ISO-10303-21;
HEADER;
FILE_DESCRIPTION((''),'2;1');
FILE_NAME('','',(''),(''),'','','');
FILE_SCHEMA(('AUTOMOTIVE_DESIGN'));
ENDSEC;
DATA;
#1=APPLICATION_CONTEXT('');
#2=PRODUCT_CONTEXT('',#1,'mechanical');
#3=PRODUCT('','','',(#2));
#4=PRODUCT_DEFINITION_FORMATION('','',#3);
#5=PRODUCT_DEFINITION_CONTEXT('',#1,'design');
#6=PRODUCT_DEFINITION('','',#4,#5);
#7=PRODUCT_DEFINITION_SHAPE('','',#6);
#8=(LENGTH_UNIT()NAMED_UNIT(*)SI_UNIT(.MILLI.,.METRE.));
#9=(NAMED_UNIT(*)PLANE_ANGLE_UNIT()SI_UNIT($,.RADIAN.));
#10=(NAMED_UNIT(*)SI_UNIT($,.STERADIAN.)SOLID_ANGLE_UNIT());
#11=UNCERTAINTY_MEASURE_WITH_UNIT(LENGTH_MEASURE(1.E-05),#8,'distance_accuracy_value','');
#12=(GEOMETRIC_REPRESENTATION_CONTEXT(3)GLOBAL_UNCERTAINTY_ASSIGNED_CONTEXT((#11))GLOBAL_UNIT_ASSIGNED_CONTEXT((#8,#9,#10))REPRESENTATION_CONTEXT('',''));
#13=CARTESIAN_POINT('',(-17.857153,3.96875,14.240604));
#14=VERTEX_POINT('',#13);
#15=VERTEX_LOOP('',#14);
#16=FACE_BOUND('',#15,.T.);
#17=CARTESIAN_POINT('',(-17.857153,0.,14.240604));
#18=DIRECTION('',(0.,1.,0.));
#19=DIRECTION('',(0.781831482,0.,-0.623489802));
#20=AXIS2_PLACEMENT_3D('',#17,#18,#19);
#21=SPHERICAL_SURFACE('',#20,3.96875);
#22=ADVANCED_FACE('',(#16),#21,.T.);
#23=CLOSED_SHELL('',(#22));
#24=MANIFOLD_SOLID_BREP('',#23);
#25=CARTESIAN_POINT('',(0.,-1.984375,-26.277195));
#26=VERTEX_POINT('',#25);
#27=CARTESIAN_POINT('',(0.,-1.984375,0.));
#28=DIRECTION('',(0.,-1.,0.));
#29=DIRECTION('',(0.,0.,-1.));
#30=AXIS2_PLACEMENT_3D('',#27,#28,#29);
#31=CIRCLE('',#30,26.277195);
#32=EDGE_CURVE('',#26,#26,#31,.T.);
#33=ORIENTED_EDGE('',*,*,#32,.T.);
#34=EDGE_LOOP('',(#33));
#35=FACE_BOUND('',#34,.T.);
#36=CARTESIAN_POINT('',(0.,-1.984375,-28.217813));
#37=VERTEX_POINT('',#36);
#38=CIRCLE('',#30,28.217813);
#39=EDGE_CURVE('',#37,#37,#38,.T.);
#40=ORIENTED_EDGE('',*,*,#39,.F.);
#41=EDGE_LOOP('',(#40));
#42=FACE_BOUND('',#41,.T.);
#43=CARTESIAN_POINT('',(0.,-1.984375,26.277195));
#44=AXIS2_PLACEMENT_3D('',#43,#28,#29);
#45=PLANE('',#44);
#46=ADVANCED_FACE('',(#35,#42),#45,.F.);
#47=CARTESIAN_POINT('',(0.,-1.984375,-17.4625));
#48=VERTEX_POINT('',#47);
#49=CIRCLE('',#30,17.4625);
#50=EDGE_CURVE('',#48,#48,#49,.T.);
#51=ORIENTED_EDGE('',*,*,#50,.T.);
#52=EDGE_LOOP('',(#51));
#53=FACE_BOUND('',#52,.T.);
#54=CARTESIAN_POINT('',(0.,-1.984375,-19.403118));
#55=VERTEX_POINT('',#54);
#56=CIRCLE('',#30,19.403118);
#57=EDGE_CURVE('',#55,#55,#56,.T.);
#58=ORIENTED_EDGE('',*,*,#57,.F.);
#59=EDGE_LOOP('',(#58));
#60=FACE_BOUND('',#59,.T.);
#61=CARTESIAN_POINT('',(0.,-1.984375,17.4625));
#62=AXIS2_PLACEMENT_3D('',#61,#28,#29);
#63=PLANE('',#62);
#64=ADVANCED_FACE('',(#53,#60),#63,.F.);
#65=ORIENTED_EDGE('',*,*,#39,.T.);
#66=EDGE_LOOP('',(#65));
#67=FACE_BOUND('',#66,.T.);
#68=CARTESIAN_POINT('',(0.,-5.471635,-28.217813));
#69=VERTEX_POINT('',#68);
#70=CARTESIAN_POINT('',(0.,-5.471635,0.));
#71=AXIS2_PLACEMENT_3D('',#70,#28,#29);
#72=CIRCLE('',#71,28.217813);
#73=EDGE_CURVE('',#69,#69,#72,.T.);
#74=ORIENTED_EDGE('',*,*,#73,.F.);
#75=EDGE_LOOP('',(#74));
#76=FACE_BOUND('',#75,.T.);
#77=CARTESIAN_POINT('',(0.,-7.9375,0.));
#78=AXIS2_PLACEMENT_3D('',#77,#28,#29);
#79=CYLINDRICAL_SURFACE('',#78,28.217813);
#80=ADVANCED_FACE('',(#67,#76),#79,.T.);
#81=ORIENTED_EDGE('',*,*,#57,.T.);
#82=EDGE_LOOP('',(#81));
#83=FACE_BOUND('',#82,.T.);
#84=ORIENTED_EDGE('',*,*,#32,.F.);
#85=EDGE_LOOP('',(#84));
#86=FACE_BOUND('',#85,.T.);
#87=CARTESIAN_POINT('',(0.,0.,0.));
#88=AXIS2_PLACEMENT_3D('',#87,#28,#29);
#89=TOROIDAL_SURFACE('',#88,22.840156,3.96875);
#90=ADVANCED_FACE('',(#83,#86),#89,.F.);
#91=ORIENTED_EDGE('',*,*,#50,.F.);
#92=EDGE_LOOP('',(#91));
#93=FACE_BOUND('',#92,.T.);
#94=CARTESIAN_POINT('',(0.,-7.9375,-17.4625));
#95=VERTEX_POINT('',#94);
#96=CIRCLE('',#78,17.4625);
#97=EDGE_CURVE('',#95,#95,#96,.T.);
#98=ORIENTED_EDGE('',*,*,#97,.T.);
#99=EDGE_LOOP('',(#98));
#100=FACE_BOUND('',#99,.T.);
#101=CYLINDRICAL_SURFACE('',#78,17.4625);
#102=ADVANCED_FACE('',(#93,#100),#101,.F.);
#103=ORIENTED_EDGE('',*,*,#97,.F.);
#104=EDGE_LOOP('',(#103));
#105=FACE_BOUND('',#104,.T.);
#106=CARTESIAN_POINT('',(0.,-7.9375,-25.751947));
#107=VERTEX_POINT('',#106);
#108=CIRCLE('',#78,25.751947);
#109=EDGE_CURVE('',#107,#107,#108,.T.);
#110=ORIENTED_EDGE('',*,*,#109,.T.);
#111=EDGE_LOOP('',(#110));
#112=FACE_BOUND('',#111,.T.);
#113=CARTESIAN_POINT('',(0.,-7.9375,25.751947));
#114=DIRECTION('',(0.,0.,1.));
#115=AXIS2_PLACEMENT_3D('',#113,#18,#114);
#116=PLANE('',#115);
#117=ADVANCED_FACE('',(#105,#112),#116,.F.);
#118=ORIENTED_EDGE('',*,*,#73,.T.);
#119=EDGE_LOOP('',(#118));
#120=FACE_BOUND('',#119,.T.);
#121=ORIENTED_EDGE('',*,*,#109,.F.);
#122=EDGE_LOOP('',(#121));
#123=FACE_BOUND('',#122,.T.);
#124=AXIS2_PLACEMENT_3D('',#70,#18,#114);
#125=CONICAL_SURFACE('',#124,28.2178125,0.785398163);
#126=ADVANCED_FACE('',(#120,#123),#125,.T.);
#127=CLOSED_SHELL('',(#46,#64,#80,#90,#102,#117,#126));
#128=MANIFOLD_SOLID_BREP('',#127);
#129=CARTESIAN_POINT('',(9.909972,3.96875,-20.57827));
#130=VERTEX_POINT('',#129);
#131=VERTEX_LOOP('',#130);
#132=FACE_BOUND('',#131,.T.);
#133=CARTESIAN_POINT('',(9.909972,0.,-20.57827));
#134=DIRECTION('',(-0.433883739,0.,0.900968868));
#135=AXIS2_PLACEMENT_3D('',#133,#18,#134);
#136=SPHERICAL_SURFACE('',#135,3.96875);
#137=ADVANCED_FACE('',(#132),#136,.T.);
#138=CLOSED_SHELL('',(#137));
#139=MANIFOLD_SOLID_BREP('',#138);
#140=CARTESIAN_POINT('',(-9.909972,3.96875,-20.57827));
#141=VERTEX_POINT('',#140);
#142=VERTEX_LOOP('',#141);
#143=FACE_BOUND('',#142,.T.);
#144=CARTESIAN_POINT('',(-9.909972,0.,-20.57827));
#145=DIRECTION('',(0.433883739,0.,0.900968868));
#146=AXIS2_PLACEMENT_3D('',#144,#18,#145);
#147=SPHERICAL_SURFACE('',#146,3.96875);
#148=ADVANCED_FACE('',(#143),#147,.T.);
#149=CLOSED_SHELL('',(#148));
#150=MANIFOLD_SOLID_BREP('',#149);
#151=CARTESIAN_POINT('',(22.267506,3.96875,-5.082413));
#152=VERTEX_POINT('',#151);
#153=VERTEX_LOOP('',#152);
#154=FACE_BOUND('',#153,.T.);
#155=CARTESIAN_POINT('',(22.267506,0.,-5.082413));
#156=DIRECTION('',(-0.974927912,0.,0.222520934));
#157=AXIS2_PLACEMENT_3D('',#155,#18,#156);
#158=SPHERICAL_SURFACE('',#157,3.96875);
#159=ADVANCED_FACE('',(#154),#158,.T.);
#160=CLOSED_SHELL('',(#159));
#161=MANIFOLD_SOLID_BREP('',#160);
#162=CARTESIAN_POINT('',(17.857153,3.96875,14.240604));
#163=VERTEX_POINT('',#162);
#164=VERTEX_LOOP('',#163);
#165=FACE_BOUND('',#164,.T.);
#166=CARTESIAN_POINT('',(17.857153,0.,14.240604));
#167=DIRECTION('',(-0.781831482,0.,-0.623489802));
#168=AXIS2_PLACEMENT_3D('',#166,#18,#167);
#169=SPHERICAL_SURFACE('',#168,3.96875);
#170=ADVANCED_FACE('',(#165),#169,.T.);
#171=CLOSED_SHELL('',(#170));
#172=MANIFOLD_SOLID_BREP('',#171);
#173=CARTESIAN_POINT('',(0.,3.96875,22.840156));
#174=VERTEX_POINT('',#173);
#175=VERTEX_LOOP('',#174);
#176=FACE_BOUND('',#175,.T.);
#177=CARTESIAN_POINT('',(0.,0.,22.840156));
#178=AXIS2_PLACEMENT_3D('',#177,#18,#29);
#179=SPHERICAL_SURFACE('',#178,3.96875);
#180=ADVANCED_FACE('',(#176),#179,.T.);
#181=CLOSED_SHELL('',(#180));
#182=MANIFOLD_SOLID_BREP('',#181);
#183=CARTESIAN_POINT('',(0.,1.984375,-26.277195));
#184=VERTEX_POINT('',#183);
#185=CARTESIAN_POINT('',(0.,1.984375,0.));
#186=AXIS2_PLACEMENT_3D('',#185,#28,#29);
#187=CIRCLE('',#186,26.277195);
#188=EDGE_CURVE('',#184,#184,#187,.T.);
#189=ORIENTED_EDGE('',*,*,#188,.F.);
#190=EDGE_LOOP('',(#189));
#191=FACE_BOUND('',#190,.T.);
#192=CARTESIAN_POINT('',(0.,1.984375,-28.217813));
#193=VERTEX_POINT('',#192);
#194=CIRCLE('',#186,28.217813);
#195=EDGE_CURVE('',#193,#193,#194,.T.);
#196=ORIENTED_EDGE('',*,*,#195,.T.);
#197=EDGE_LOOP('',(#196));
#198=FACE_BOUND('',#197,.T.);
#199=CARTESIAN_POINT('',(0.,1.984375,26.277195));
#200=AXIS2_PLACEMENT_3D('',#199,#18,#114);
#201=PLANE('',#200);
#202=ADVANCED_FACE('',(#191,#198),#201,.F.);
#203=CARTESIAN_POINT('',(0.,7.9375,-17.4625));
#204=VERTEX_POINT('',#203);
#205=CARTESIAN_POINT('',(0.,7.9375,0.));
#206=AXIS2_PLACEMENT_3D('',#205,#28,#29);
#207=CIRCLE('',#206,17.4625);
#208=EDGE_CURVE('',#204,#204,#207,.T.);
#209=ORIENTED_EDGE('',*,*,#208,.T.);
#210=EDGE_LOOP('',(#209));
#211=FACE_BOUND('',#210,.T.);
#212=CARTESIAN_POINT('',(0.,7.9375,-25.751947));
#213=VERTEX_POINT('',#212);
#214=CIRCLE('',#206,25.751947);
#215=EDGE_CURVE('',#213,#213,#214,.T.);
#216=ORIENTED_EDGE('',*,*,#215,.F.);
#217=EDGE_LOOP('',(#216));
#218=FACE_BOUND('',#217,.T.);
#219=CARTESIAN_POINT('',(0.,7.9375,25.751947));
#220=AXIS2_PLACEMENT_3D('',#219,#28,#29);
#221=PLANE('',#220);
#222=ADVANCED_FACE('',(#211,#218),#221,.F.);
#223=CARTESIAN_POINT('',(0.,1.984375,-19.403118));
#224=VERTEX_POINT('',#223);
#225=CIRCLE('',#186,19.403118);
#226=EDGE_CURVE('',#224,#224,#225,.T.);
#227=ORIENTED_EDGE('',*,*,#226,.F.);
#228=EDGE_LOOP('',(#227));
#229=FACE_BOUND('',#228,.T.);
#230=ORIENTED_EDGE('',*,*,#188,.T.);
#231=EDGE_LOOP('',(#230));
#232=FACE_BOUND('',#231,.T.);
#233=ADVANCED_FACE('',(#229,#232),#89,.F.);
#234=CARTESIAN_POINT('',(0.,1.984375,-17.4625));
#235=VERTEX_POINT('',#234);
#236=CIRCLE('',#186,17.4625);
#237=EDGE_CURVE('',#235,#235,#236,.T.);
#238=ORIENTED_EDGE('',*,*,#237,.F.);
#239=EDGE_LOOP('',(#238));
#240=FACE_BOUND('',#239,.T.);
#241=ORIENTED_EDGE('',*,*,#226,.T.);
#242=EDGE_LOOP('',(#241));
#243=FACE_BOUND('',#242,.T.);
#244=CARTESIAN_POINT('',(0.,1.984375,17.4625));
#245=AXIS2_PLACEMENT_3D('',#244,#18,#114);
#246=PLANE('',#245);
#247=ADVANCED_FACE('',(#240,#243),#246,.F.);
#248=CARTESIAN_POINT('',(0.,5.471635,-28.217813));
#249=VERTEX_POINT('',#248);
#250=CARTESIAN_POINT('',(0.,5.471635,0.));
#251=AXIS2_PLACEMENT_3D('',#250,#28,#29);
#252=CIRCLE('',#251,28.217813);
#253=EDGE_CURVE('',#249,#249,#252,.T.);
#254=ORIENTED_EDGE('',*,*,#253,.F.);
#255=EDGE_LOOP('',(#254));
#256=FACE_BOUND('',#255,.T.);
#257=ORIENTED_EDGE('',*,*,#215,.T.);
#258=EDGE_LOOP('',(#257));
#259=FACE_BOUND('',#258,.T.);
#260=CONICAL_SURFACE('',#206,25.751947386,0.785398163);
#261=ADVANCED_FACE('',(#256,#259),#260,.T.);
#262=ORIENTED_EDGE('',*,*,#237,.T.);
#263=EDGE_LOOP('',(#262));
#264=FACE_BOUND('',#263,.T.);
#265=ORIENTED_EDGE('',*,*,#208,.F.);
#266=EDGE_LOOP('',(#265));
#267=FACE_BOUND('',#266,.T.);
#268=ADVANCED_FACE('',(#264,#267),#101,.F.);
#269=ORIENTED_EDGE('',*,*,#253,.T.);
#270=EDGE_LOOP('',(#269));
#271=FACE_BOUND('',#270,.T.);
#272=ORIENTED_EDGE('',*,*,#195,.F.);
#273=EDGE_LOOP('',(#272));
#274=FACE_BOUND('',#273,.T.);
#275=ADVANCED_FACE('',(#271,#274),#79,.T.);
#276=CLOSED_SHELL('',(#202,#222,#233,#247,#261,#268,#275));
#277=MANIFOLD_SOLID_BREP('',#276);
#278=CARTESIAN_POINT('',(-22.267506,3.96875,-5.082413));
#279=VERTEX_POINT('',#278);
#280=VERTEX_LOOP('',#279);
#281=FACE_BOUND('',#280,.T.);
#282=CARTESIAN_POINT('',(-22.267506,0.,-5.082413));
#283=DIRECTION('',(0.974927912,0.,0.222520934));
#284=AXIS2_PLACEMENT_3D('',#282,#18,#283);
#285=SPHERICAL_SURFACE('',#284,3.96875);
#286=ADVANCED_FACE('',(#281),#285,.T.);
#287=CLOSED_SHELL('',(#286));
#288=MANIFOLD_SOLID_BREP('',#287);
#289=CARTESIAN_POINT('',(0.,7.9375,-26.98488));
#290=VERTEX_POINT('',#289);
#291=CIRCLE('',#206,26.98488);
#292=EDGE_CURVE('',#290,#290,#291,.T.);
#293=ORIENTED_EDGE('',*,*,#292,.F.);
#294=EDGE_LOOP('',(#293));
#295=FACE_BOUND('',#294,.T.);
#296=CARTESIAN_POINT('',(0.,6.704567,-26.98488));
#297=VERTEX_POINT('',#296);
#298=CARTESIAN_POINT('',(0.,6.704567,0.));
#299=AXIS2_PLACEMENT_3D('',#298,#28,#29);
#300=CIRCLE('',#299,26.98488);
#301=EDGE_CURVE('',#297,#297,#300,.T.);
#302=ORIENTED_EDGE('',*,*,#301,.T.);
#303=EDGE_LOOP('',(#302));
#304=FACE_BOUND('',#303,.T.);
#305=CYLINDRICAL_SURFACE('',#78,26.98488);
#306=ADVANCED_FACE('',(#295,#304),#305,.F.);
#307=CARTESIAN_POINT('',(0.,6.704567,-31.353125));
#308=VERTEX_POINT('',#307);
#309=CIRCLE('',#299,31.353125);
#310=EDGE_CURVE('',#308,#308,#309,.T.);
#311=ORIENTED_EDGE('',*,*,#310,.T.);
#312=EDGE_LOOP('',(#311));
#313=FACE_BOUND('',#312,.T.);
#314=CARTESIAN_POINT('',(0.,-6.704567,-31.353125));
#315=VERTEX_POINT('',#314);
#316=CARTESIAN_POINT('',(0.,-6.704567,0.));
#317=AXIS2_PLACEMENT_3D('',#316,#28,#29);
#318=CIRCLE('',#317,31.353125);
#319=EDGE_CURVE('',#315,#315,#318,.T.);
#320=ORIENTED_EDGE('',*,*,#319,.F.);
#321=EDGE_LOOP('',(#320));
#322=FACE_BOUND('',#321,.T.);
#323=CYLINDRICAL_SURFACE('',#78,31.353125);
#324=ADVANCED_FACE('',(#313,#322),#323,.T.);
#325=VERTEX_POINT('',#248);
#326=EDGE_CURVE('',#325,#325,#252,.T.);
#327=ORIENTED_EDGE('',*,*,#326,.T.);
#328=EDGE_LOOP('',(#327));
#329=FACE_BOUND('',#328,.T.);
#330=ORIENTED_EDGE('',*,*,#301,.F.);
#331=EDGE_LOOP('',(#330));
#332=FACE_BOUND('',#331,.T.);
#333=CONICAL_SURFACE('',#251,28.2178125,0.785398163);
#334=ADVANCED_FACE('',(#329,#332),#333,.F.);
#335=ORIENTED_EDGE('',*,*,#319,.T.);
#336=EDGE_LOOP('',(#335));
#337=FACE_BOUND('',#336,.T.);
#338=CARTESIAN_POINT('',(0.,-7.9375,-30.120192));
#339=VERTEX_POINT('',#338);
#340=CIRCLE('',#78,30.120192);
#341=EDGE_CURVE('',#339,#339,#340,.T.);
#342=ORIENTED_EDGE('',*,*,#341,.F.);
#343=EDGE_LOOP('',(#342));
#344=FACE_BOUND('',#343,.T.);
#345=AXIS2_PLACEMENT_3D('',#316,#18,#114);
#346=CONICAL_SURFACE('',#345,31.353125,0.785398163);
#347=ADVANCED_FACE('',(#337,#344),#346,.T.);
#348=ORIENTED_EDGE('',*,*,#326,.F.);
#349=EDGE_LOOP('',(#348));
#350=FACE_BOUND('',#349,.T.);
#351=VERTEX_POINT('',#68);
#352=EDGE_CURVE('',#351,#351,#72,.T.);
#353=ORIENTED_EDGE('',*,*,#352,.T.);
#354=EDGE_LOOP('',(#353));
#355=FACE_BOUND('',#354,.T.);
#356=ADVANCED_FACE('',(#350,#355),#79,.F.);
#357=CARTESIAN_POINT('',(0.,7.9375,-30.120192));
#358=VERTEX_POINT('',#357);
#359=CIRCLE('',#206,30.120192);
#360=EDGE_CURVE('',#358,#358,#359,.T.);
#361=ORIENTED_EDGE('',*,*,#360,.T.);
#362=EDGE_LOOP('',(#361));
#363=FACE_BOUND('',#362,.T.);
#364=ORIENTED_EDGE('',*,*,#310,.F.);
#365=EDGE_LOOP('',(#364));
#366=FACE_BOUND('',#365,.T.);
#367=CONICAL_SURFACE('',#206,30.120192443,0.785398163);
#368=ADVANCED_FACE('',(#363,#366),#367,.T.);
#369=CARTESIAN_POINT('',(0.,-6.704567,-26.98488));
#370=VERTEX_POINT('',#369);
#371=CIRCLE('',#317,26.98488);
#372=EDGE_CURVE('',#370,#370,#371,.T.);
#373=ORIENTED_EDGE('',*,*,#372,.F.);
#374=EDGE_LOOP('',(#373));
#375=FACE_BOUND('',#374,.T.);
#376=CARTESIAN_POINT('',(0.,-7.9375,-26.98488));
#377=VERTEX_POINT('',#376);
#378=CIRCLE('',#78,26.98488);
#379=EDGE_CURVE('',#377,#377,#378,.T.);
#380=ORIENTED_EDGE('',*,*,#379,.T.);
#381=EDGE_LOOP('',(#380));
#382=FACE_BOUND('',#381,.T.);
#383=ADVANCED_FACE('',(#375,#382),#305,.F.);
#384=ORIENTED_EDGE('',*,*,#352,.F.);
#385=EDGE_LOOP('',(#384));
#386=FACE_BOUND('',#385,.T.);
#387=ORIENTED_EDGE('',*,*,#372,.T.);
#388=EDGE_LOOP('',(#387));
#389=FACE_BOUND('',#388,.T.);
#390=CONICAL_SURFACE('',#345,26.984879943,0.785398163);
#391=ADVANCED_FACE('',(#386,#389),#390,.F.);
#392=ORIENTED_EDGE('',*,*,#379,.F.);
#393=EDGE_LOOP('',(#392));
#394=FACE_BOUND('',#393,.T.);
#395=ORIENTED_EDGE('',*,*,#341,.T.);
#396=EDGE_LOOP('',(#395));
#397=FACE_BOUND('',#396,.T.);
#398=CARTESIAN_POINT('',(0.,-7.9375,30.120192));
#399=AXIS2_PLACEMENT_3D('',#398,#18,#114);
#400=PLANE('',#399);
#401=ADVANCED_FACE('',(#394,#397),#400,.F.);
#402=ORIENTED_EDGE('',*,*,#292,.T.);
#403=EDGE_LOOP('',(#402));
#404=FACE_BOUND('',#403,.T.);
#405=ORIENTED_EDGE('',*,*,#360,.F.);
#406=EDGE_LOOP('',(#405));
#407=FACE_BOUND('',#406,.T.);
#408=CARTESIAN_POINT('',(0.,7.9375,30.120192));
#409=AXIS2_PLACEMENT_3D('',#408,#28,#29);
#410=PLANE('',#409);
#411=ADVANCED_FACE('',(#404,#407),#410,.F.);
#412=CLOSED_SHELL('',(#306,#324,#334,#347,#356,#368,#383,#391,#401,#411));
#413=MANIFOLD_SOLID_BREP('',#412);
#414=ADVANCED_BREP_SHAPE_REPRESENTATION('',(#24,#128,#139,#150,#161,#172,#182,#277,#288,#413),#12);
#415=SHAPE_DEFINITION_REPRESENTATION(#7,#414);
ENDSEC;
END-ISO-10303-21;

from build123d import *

# Parameters (mm, degrees)
CIRPATTERN1_COUNT = 7


with BuildPart() as part:
    # Sketch2 → Revolve1 (revolve)
    with BuildSketch(Plane(origin=(0, 0, 0), x_dir=(0, 0, -1), z_dir=(1, 0, 0))):
        with BuildLine():
            Line((-26.277194571, 1.984375), (-28.2178125, 1.984375))
            Line((-28.2178125, 1.984375), (-28.2178125, 5.471634886))
            Line((-28.2178125, 5.471634886), (-25.751947386, 7.9375))
            Line((-25.751947386, 7.9375), (-17.4625, 7.9375))
            Line((-17.4625, 7.9375), (-17.4625, 1.984375))
            Line((-17.4625, 1.984375), (-19.403117929, 1.984375))
            ThreePointArc((-19.403117929, 1.984375), (-22.84015625, 3.96875), (-26.277194571, 1.984375))
        make_face()
        with BuildLine():
            Line((-17.4625, -1.984375), (-19.403117929, -1.984375))
            ThreePointArc((-19.403117929, -1.984375), (-22.84015625, -3.96875), (-26.277194571, -1.984375))
            Line((-26.277194571, -1.984375), (-28.2178125, -1.984375))
            Line((-28.2178125, -1.984375), (-28.2178125, -5.471634886))
            Line((-28.2178125, -5.471634886), (-25.751947386, -7.9375))
            Line((-25.751947386, -7.9375), (-17.4625, -7.9375))
            Line((-17.4625, -7.9375), (-17.4625, -1.984375))
        make_face()
    revolve(axis=Axis((0, -7.9375, 0), (0, 1, 0)))


with BuildPart() as body_2:
    # Sketch3 → Revolve2 (revolve)
    with BuildSketch(Plane(origin=(0, 0, 0), x_dir=(0, 0, -1), z_dir=(1, 0, 0))):
        Polygon((-26.984879943, 6.704567443), (-26.984879943, 7.9375), (-30.120192443, 7.9375), (-31.353125, 6.704567443), (-31.353125, -6.704567443), (-30.120192443, -7.9375), (-26.984879943, -7.9375), (-26.984879943, -6.704567443), (-28.2178125, -5.471634886), (-28.2178125, 5.471634886), align=None)
    revolve(axis=Axis((0, -7.9375, 0), (0, 1, 0)))


with BuildPart() as body_3:
    # Sketch4 → Revolve3 (revolve)
    with BuildSketch(Plane(origin=(0, 0, 0), x_dir=(0, 0, -1), z_dir=(1, 0, 0))):
        with BuildLine():
            Line((-22.84015625, 3.96875), (-22.84015625, -3.96875))
            ThreePointArc((-22.84015625, -3.96875), (-18.87140625, 0), (-22.84015625, 3.96875))
        make_face()
    revolve(axis=Axis((0, 3.96875, 22.84015625), (0, -1, 0)))


with BuildPart() as cirpattern1_1:
    # CirPattern1: pattern copy
    add(body_3.part.rotate(Axis((0, 0, 0), (0, 1, 0)), 1 * 360 / CIRPATTERN1_COUNT))


with BuildPart() as cirpattern1_2:
    # CirPattern1: pattern copy
    add(body_3.part.rotate(Axis((0, 0, 0), (0, 1, 0)), 2 * 360 / CIRPATTERN1_COUNT))


with BuildPart() as cirpattern1_3:
    # CirPattern1: pattern copy
    add(body_3.part.rotate(Axis((0, 0, 0), (0, 1, 0)), 3 * 360 / CIRPATTERN1_COUNT))


with BuildPart() as cirpattern1_4:
    # CirPattern1: pattern copy
    add(body_3.part.rotate(Axis((0, 0, 0), (0, 1, 0)), 4 * 360 / CIRPATTERN1_COUNT))


with BuildPart() as cirpattern1_5:
    # CirPattern1: pattern copy
    add(body_3.part.rotate(Axis((0, 0, 0), (0, 1, 0)), 5 * 360 / CIRPATTERN1_COUNT))


with BuildPart() as cirpattern1_6:
    # CirPattern1: pattern copy
    add(body_3.part.rotate(Axis((0, 0, 0), (0, 1, 0)), 6 * 360 / CIRPATTERN1_COUNT))


solid = Compound([part.part, body_2.part, body_3.part, cirpattern1_1.part, cirpattern1_2.part, cirpattern1_3.part, cirpattern1_4.part, cirpattern1_5.part, cirpattern1_6.part])
